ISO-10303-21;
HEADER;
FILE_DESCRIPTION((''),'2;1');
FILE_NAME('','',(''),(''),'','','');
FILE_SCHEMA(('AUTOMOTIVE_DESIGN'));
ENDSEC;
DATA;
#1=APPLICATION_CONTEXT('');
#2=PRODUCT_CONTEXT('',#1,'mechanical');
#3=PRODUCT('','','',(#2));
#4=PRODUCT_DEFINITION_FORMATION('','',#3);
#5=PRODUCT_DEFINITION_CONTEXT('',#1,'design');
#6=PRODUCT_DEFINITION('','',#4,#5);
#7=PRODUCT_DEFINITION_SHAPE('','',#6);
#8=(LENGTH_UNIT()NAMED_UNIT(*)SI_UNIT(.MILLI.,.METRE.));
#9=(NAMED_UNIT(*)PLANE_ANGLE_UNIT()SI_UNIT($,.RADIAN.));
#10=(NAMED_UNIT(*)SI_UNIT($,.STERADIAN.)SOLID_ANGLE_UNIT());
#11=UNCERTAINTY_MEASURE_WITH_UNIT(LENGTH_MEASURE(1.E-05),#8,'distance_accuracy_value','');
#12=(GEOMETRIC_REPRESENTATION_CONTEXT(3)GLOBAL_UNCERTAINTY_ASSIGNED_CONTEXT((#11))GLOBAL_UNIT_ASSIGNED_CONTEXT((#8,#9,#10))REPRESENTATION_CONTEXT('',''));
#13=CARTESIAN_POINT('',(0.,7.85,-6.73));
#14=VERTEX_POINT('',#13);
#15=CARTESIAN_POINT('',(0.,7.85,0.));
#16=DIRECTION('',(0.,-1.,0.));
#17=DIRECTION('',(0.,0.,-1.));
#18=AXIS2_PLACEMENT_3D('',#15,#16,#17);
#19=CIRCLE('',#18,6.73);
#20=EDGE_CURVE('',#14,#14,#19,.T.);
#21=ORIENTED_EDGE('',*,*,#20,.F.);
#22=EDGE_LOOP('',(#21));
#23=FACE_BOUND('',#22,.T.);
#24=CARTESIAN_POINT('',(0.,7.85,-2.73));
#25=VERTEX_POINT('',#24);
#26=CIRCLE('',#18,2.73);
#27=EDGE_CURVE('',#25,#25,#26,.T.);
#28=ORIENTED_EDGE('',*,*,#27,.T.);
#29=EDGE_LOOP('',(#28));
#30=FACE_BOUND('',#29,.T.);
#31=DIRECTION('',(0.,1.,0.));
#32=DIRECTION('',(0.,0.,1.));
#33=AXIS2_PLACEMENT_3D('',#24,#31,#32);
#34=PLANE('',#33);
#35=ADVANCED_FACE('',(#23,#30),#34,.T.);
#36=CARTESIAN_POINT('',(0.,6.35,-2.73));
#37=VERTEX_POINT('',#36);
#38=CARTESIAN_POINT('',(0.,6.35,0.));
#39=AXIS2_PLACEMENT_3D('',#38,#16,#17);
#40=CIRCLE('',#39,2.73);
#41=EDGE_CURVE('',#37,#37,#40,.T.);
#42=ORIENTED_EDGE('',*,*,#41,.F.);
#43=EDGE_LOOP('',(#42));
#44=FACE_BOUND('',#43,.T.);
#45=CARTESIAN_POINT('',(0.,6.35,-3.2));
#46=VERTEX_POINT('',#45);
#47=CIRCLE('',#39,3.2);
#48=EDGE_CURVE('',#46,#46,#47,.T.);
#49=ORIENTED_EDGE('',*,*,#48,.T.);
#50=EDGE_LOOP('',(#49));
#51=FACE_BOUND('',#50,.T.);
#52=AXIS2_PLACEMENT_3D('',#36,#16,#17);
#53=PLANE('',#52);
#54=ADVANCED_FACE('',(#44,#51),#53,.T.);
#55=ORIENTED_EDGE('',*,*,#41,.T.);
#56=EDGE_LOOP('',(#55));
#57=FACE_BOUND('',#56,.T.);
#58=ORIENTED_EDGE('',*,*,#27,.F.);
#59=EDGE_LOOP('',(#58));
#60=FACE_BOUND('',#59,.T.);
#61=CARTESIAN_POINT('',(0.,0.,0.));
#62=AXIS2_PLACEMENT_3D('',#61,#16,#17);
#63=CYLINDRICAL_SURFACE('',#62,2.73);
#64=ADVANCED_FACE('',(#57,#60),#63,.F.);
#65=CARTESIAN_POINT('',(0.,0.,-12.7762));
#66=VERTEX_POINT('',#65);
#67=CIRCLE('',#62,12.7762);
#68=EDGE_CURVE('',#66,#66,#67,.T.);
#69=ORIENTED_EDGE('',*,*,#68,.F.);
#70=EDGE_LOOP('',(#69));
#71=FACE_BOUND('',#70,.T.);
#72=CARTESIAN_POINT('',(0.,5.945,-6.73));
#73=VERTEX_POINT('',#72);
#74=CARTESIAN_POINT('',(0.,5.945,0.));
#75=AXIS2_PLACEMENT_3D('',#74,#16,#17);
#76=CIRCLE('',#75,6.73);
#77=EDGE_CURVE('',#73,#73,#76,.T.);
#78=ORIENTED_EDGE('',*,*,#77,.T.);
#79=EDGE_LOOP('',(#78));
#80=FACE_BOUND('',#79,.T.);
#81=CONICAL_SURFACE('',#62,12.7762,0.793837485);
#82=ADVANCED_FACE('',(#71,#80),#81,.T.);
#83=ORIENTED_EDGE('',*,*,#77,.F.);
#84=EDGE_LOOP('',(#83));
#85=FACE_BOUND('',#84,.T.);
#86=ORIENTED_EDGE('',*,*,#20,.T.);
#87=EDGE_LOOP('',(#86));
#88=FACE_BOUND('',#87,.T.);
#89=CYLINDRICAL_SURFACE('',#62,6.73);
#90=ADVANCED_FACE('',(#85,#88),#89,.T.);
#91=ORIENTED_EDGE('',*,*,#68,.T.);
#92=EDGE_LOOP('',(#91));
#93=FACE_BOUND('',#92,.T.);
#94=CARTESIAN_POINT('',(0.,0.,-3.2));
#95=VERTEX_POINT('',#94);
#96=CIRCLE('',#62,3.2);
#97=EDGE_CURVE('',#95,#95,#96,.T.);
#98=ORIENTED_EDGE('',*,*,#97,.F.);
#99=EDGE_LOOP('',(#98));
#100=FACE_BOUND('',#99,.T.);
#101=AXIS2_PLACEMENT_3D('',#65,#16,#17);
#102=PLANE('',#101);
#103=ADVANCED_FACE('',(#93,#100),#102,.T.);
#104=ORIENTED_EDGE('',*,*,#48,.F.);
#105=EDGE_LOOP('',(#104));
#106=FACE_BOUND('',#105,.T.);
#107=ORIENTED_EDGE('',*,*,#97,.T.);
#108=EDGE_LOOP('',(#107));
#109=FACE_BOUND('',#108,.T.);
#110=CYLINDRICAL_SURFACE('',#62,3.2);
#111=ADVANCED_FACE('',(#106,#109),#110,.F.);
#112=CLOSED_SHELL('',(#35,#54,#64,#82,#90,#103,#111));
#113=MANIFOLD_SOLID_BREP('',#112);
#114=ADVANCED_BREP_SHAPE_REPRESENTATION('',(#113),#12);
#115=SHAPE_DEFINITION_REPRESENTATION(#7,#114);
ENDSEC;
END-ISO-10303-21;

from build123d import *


with BuildPart() as part:
    # Sketch1 → Revolve1 (revolve)
    with BuildSketch(Plane(origin=(0, 0, 0), x_dir=(0, 0, -1), z_dir=(1, 0, 0))):
        Polygon((2.73, 6.35), (2.73, 7.85), (6.73, 7.85), (6.73, 5.945), (12.7762, 0), (3.2, 0), (3.2, 6.35), align=None)
    revolve(axis=Axis((0, 0, 0), (0, 1, 0)))


solid = part.part
